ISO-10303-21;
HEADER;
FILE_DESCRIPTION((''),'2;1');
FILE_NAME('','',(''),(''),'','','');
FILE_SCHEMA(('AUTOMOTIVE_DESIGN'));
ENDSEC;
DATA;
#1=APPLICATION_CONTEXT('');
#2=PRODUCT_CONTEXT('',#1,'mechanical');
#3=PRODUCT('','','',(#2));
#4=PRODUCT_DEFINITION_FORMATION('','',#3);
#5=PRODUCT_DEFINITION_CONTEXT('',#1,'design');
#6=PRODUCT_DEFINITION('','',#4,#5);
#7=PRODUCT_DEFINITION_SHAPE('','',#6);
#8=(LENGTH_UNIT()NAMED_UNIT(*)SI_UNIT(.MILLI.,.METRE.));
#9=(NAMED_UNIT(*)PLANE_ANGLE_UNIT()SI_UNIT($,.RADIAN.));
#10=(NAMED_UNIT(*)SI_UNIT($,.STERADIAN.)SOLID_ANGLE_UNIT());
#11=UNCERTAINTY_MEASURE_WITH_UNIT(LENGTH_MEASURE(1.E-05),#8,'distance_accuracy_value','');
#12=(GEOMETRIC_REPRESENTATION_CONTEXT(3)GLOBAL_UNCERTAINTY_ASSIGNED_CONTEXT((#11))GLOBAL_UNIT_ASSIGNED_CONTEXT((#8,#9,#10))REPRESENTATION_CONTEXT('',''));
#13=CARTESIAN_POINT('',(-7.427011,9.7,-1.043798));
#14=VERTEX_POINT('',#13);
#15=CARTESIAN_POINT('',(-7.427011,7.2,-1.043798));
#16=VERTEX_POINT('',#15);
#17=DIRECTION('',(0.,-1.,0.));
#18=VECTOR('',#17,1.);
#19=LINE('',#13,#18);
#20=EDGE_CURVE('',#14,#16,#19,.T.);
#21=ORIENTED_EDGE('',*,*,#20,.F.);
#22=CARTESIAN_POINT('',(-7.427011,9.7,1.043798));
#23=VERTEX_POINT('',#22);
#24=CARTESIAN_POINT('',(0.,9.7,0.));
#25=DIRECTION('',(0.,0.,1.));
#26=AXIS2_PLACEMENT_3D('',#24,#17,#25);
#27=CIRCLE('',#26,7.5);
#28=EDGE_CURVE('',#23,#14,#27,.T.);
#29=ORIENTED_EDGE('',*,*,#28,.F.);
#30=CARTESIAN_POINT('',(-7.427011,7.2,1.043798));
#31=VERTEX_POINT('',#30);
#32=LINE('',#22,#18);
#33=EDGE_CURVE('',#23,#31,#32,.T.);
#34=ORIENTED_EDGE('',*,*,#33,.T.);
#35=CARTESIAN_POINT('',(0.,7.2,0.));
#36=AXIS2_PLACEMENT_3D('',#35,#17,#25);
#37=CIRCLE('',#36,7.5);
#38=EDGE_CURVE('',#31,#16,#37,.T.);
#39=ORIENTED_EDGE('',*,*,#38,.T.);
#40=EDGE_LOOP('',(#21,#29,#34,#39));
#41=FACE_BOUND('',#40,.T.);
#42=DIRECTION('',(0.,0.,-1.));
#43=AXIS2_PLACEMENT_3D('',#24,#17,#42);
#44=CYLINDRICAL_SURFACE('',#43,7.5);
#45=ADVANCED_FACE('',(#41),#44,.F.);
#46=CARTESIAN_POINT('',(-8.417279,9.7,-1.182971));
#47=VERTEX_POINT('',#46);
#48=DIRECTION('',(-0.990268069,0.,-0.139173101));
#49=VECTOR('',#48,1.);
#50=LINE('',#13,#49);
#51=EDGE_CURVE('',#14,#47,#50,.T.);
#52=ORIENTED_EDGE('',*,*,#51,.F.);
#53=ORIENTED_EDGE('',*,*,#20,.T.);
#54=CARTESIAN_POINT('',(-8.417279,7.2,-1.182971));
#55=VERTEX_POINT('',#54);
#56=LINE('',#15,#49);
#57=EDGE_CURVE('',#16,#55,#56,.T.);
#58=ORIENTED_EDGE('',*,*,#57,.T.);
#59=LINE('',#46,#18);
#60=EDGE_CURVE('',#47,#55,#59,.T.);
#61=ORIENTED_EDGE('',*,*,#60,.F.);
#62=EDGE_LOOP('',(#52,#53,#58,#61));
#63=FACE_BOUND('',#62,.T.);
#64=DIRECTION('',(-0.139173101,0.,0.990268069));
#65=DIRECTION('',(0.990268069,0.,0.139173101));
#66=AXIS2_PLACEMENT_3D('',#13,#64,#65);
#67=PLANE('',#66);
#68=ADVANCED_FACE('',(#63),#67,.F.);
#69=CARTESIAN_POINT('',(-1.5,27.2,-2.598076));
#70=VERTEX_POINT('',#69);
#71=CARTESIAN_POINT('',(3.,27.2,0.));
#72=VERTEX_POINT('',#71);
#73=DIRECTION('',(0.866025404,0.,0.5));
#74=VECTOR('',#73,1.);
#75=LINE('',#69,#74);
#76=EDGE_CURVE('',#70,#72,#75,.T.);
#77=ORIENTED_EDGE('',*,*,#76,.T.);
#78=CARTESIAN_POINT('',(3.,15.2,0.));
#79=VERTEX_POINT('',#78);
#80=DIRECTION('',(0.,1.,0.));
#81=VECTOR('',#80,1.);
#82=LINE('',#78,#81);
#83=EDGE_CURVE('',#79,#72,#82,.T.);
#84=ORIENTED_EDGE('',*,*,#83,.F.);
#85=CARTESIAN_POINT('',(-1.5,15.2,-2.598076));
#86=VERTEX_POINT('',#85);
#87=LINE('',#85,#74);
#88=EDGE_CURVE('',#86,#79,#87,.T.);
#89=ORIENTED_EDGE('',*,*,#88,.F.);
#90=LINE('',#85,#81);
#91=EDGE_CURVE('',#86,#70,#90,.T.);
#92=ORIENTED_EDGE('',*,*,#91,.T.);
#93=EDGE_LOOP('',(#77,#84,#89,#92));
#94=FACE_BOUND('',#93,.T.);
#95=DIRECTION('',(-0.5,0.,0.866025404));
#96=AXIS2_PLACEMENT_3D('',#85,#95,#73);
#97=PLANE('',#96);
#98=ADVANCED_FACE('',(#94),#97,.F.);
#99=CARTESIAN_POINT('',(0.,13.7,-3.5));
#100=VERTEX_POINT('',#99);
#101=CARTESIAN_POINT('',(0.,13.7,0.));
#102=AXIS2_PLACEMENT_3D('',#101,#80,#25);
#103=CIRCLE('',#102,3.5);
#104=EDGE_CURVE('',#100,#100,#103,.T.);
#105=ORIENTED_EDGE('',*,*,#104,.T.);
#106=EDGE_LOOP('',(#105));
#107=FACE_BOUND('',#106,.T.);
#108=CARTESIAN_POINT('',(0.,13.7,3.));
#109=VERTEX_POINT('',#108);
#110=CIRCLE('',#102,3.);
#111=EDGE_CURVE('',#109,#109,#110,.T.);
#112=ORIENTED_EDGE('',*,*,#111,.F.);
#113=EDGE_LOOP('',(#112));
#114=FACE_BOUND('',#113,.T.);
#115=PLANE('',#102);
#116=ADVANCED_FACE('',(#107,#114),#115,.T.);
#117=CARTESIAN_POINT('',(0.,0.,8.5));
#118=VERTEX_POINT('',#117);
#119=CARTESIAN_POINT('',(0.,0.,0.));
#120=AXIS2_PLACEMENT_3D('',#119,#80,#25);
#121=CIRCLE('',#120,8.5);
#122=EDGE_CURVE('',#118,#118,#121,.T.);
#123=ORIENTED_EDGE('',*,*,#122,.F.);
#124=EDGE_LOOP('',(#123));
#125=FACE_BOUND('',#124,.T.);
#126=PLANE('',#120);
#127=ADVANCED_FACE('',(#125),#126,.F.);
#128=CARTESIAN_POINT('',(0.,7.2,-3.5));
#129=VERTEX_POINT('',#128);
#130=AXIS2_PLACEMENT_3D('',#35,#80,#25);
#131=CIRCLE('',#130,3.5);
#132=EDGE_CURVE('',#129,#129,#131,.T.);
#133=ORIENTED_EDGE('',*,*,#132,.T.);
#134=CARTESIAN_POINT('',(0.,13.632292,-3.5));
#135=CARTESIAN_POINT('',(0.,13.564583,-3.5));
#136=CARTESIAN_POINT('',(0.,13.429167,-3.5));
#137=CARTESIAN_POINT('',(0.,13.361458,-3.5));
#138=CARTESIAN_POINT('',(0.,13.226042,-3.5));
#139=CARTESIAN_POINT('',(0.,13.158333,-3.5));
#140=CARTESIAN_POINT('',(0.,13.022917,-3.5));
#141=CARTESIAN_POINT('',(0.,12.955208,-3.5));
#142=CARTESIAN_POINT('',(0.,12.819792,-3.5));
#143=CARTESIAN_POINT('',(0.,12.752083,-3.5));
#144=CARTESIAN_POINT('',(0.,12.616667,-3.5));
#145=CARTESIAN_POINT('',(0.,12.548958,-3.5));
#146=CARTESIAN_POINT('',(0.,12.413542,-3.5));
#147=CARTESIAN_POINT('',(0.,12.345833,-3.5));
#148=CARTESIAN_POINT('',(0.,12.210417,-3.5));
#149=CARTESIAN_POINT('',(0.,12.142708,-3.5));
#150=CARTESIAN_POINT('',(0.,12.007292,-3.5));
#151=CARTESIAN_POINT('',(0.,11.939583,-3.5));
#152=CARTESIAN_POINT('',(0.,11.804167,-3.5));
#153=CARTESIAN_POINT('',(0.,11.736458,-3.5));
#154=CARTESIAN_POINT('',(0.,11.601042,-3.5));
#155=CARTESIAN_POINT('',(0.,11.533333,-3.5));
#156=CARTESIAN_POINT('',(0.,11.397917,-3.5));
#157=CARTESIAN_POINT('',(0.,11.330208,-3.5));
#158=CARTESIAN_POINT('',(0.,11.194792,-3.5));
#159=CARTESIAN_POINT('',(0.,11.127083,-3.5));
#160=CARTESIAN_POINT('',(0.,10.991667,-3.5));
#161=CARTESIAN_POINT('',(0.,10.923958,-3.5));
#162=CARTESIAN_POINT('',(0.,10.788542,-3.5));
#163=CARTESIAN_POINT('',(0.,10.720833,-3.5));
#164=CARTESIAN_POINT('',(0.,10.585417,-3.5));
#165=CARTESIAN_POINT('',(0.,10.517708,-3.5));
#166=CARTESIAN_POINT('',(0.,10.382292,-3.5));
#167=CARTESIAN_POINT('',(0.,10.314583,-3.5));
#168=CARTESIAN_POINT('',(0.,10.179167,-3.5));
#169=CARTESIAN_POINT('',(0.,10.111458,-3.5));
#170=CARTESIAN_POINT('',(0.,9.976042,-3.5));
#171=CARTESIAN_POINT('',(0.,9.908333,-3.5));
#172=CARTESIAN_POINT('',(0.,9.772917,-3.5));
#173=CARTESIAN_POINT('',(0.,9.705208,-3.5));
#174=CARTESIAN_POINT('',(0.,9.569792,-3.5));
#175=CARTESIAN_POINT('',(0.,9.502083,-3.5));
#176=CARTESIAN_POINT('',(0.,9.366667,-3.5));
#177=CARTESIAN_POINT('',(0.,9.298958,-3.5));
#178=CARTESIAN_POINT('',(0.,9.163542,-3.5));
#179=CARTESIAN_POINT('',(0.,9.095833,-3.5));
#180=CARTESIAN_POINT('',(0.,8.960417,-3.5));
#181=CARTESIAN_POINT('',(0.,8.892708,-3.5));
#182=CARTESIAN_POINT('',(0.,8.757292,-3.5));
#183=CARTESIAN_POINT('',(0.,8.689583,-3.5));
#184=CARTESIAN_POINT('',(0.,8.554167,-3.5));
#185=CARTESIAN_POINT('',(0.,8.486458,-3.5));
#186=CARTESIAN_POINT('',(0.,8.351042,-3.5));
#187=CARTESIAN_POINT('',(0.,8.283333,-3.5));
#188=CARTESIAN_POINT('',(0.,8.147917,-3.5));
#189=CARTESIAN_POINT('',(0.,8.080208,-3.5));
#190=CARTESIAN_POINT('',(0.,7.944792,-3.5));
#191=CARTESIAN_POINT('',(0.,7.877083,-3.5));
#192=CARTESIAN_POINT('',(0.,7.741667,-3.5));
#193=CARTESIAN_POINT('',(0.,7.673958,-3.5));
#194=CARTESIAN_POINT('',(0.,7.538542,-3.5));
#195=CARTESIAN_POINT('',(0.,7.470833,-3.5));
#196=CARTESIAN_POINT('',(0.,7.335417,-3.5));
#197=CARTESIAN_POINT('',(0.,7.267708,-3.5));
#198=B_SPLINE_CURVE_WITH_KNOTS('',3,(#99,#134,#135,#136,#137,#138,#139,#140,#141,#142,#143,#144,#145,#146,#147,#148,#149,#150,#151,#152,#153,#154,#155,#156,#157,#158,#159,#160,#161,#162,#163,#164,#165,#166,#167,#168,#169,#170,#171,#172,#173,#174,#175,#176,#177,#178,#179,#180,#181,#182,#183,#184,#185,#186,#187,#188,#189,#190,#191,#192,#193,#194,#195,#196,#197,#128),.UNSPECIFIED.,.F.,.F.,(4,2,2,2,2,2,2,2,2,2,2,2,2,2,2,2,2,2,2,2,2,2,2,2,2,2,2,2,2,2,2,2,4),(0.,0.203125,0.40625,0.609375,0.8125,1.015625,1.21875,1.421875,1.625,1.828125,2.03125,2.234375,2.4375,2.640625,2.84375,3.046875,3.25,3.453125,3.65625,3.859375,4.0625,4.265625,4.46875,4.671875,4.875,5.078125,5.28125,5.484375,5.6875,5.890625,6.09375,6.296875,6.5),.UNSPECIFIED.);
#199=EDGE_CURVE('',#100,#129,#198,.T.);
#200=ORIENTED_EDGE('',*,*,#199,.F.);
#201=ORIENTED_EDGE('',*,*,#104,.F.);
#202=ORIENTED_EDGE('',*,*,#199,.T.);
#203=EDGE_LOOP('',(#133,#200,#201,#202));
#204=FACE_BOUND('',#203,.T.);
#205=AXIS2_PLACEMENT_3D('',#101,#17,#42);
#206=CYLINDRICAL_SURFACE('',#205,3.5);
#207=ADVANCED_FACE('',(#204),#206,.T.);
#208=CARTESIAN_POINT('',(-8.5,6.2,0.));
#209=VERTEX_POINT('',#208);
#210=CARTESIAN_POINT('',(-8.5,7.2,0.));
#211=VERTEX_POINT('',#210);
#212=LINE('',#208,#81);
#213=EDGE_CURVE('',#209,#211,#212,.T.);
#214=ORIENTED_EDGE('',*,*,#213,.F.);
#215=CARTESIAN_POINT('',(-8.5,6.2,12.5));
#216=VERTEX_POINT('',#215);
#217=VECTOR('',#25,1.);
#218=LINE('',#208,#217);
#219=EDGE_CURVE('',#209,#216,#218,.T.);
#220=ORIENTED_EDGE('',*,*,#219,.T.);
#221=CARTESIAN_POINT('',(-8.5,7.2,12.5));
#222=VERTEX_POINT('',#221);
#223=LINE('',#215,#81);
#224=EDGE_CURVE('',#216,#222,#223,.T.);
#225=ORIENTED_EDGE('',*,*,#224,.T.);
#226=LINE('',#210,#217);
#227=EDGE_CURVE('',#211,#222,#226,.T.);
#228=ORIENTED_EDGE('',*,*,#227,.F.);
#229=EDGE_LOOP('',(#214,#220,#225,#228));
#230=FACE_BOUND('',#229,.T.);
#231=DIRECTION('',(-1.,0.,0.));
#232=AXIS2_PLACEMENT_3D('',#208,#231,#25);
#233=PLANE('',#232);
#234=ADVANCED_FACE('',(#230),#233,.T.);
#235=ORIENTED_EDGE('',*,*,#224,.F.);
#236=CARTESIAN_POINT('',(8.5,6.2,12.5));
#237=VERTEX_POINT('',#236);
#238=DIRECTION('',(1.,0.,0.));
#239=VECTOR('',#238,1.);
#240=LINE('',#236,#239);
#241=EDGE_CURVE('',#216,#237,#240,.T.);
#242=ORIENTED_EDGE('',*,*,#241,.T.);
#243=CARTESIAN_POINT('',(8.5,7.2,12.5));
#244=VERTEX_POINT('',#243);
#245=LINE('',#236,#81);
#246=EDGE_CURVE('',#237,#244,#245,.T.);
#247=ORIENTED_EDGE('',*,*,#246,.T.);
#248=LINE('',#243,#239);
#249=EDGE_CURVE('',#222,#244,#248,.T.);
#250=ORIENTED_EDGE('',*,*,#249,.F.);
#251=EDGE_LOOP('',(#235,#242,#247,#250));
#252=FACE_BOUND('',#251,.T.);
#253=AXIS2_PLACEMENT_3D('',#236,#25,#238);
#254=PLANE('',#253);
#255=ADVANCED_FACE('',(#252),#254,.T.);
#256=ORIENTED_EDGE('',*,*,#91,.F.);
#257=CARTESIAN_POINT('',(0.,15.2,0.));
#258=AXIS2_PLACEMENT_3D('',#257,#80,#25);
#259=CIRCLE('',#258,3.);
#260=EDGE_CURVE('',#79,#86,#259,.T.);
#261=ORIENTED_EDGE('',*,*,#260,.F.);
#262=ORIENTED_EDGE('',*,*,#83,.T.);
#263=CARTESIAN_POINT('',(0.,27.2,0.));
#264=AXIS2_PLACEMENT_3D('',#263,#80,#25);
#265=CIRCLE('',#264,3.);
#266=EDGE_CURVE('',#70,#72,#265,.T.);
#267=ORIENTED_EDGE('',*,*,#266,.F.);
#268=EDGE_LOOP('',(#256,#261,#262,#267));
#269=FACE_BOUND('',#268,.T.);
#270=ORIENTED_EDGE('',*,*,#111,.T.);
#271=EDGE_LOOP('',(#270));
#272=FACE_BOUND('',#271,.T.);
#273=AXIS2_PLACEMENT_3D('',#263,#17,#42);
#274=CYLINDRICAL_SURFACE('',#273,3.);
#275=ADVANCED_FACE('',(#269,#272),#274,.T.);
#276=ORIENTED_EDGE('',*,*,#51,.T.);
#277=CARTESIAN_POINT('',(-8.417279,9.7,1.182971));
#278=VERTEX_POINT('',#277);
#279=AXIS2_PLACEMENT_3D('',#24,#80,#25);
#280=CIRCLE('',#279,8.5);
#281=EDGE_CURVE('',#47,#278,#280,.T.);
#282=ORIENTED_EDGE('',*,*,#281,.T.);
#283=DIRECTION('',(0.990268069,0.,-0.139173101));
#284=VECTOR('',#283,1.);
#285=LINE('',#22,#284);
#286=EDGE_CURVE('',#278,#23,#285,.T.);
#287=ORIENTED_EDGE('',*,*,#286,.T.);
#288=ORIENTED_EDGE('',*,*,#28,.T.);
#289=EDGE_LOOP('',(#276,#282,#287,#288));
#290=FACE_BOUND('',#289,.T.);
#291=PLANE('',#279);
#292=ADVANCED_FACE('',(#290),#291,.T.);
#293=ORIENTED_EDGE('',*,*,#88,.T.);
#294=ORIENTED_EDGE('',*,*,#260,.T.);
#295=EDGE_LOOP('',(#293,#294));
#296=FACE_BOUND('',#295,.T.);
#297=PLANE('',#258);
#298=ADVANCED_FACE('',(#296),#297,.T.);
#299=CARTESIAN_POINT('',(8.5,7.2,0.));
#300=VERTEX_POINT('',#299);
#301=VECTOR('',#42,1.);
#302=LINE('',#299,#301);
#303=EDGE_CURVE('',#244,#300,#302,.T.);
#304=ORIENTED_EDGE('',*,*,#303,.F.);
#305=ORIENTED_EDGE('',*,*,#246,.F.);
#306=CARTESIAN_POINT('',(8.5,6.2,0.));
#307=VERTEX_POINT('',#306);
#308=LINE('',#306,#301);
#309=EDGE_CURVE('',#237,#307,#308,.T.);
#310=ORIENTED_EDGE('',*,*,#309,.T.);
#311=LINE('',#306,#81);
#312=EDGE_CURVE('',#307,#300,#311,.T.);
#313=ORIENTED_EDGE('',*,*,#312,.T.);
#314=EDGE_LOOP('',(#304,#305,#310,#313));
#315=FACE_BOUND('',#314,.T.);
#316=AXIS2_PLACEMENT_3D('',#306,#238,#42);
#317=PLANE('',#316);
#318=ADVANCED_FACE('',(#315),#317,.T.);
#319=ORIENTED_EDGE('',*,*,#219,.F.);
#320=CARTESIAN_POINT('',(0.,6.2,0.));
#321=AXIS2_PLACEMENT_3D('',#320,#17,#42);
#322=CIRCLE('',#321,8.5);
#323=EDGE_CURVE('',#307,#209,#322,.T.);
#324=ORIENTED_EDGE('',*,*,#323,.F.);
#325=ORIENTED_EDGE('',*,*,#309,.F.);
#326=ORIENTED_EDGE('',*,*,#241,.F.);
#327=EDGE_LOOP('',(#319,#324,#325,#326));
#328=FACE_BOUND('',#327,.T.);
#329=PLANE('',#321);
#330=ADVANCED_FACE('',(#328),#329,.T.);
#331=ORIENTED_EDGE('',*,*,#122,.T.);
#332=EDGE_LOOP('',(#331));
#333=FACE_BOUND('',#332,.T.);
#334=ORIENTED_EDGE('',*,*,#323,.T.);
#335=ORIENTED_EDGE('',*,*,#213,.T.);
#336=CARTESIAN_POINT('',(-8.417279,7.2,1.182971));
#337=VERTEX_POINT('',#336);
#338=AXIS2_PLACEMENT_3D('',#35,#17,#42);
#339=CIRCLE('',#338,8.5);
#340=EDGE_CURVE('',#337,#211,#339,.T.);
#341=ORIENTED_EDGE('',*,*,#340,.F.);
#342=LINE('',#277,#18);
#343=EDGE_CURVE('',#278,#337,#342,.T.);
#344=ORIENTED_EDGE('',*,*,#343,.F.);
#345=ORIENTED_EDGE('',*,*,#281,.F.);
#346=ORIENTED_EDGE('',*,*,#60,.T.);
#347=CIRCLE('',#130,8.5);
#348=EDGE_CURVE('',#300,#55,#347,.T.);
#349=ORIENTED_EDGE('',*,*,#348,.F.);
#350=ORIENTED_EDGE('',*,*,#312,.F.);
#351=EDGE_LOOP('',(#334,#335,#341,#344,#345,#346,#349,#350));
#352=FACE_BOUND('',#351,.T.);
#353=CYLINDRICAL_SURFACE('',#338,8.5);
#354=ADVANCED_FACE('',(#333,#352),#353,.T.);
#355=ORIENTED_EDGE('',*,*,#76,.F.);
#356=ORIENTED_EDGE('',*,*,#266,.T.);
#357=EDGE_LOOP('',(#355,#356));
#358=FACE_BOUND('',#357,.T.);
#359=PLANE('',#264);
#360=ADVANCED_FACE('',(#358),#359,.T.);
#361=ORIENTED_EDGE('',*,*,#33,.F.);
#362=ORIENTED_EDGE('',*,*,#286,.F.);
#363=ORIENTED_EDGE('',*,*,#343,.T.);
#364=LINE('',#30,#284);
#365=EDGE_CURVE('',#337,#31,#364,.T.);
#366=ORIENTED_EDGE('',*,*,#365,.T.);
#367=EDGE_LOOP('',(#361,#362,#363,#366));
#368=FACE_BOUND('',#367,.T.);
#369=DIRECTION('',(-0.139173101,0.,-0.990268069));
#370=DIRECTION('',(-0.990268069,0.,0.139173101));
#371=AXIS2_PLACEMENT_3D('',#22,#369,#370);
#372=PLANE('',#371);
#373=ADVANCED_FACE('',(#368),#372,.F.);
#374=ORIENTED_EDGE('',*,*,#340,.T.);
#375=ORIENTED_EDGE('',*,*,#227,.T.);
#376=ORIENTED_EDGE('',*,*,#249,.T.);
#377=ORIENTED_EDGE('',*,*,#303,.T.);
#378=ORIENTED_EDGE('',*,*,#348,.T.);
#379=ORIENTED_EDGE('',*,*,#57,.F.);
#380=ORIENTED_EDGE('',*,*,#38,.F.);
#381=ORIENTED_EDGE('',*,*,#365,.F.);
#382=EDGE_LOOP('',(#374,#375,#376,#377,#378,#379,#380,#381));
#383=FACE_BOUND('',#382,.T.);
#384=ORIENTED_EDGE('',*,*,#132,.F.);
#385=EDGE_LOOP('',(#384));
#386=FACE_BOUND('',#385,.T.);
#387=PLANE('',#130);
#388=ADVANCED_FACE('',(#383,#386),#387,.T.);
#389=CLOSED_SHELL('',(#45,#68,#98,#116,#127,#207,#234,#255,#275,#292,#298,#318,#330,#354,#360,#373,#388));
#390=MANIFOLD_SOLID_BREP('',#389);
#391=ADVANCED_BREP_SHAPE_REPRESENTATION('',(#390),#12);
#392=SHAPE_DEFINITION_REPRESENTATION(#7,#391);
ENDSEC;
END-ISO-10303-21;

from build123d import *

# Parameters (mm, degrees)
SKETCH_1_R          = 8.5
EXTRUDE_1_DEPTH     = 7.2
EXTRUDE_2_DEPTH     = 2.5
SKETCH_3_R          = 3.5
EXTRUDE_3_DEPTH     = 6.5
SKETCH_4_R          = 3
EXTRUDE_4_DEPTH     = 13.5
CUT_EXTRUDE_START   = -12
CUT_EXTRUDE_1_DEPTH = 12
SKETCH_6_W          = 17
SKETCH_6_H          = 12.5
EXTRUDE_5_DEPTH     = 1


with BuildPart() as part:
    # 草图1 → 凸台-拉伸1 (new body)
    with BuildSketch(Plane(origin=(0, 0, 0), x_dir=(1, 0, 0), z_dir=(0, 1, 0))):
        with Locations(Location((0, 0, 0), (0, 0, 270))):
            Circle(SKETCH_1_R)
    extrude(amount=EXTRUDE_1_DEPTH)

    # 草图2 → 凸台-拉伸2 (add)
    with BuildSketch(Plane(origin=(0, 7.2, 0), x_dir=(1, 0, 0), z_dir=(0, 1, 0))):
        with BuildLine():
            Line((-7.427010516, 1.043798257), (-8.417278584, 1.182971358))
            ThreePointArc((-8.417278584, 1.182971358), (-8.5, 0), (-8.417278584, -1.182971358))
            Line((-8.417278584, -1.182971358), (-7.427010516, -1.043798257))
            ThreePointArc((-7.427010516, -1.043798257), (-7.5, 0), (-7.427010516, 1.043798257))
        make_face()
    extrude(amount=EXTRUDE_2_DEPTH)

    # 草图3 → 凸台-拉伸3 (add)
    with BuildSketch(Plane(origin=(0, 7.2, 0), x_dir=(1, 0, 0), z_dir=(0, 1, 0))):
        with Locations(Location((0, 0, 0), (0, 0, 90))):
            Circle(SKETCH_3_R)
    extrude(amount=EXTRUDE_3_DEPTH)

    # 草图4 → 凸台-拉伸4 (add)
    with BuildSketch(Plane(origin=(0, 13.7, 0), x_dir=(1, 0, 0), z_dir=(0, 1, 0))):
        with Locations(Location((0, 0, 0), (0, 0, 270))):
            Circle(SKETCH_4_R)
    extrude(amount=EXTRUDE_4_DEPTH)

    # 草图5 → 切除-拉伸1 (cut)
    with BuildSketch(Plane(origin=(0, 27.2, 0), x_dir=(1, 0, 0), z_dir=(0, 1, 0)).offset(CUT_EXTRUDE_START)):
        with BuildLine():
            Line((-1.5, 2.598076211), (3, 0))
            ThreePointArc((3, 0), (1.5, 2.598076211), (-1.5, 2.598076211))
        make_face()
    extrude(amount=CUT_EXTRUDE_1_DEPTH, mode=Mode.SUBTRACT)

    # 草图6 → 凸台-拉伸5 (add)
    with BuildSketch(Plane(origin=(0, 7.2, 0), x_dir=(1, 0, 0), z_dir=(0, 1, 0))):
        with Locations((0, -6.25)):
            Rectangle(SKETCH_6_W, SKETCH_6_H)
    extrude(amount=-EXTRUDE_5_DEPTH)


solid = part.part
